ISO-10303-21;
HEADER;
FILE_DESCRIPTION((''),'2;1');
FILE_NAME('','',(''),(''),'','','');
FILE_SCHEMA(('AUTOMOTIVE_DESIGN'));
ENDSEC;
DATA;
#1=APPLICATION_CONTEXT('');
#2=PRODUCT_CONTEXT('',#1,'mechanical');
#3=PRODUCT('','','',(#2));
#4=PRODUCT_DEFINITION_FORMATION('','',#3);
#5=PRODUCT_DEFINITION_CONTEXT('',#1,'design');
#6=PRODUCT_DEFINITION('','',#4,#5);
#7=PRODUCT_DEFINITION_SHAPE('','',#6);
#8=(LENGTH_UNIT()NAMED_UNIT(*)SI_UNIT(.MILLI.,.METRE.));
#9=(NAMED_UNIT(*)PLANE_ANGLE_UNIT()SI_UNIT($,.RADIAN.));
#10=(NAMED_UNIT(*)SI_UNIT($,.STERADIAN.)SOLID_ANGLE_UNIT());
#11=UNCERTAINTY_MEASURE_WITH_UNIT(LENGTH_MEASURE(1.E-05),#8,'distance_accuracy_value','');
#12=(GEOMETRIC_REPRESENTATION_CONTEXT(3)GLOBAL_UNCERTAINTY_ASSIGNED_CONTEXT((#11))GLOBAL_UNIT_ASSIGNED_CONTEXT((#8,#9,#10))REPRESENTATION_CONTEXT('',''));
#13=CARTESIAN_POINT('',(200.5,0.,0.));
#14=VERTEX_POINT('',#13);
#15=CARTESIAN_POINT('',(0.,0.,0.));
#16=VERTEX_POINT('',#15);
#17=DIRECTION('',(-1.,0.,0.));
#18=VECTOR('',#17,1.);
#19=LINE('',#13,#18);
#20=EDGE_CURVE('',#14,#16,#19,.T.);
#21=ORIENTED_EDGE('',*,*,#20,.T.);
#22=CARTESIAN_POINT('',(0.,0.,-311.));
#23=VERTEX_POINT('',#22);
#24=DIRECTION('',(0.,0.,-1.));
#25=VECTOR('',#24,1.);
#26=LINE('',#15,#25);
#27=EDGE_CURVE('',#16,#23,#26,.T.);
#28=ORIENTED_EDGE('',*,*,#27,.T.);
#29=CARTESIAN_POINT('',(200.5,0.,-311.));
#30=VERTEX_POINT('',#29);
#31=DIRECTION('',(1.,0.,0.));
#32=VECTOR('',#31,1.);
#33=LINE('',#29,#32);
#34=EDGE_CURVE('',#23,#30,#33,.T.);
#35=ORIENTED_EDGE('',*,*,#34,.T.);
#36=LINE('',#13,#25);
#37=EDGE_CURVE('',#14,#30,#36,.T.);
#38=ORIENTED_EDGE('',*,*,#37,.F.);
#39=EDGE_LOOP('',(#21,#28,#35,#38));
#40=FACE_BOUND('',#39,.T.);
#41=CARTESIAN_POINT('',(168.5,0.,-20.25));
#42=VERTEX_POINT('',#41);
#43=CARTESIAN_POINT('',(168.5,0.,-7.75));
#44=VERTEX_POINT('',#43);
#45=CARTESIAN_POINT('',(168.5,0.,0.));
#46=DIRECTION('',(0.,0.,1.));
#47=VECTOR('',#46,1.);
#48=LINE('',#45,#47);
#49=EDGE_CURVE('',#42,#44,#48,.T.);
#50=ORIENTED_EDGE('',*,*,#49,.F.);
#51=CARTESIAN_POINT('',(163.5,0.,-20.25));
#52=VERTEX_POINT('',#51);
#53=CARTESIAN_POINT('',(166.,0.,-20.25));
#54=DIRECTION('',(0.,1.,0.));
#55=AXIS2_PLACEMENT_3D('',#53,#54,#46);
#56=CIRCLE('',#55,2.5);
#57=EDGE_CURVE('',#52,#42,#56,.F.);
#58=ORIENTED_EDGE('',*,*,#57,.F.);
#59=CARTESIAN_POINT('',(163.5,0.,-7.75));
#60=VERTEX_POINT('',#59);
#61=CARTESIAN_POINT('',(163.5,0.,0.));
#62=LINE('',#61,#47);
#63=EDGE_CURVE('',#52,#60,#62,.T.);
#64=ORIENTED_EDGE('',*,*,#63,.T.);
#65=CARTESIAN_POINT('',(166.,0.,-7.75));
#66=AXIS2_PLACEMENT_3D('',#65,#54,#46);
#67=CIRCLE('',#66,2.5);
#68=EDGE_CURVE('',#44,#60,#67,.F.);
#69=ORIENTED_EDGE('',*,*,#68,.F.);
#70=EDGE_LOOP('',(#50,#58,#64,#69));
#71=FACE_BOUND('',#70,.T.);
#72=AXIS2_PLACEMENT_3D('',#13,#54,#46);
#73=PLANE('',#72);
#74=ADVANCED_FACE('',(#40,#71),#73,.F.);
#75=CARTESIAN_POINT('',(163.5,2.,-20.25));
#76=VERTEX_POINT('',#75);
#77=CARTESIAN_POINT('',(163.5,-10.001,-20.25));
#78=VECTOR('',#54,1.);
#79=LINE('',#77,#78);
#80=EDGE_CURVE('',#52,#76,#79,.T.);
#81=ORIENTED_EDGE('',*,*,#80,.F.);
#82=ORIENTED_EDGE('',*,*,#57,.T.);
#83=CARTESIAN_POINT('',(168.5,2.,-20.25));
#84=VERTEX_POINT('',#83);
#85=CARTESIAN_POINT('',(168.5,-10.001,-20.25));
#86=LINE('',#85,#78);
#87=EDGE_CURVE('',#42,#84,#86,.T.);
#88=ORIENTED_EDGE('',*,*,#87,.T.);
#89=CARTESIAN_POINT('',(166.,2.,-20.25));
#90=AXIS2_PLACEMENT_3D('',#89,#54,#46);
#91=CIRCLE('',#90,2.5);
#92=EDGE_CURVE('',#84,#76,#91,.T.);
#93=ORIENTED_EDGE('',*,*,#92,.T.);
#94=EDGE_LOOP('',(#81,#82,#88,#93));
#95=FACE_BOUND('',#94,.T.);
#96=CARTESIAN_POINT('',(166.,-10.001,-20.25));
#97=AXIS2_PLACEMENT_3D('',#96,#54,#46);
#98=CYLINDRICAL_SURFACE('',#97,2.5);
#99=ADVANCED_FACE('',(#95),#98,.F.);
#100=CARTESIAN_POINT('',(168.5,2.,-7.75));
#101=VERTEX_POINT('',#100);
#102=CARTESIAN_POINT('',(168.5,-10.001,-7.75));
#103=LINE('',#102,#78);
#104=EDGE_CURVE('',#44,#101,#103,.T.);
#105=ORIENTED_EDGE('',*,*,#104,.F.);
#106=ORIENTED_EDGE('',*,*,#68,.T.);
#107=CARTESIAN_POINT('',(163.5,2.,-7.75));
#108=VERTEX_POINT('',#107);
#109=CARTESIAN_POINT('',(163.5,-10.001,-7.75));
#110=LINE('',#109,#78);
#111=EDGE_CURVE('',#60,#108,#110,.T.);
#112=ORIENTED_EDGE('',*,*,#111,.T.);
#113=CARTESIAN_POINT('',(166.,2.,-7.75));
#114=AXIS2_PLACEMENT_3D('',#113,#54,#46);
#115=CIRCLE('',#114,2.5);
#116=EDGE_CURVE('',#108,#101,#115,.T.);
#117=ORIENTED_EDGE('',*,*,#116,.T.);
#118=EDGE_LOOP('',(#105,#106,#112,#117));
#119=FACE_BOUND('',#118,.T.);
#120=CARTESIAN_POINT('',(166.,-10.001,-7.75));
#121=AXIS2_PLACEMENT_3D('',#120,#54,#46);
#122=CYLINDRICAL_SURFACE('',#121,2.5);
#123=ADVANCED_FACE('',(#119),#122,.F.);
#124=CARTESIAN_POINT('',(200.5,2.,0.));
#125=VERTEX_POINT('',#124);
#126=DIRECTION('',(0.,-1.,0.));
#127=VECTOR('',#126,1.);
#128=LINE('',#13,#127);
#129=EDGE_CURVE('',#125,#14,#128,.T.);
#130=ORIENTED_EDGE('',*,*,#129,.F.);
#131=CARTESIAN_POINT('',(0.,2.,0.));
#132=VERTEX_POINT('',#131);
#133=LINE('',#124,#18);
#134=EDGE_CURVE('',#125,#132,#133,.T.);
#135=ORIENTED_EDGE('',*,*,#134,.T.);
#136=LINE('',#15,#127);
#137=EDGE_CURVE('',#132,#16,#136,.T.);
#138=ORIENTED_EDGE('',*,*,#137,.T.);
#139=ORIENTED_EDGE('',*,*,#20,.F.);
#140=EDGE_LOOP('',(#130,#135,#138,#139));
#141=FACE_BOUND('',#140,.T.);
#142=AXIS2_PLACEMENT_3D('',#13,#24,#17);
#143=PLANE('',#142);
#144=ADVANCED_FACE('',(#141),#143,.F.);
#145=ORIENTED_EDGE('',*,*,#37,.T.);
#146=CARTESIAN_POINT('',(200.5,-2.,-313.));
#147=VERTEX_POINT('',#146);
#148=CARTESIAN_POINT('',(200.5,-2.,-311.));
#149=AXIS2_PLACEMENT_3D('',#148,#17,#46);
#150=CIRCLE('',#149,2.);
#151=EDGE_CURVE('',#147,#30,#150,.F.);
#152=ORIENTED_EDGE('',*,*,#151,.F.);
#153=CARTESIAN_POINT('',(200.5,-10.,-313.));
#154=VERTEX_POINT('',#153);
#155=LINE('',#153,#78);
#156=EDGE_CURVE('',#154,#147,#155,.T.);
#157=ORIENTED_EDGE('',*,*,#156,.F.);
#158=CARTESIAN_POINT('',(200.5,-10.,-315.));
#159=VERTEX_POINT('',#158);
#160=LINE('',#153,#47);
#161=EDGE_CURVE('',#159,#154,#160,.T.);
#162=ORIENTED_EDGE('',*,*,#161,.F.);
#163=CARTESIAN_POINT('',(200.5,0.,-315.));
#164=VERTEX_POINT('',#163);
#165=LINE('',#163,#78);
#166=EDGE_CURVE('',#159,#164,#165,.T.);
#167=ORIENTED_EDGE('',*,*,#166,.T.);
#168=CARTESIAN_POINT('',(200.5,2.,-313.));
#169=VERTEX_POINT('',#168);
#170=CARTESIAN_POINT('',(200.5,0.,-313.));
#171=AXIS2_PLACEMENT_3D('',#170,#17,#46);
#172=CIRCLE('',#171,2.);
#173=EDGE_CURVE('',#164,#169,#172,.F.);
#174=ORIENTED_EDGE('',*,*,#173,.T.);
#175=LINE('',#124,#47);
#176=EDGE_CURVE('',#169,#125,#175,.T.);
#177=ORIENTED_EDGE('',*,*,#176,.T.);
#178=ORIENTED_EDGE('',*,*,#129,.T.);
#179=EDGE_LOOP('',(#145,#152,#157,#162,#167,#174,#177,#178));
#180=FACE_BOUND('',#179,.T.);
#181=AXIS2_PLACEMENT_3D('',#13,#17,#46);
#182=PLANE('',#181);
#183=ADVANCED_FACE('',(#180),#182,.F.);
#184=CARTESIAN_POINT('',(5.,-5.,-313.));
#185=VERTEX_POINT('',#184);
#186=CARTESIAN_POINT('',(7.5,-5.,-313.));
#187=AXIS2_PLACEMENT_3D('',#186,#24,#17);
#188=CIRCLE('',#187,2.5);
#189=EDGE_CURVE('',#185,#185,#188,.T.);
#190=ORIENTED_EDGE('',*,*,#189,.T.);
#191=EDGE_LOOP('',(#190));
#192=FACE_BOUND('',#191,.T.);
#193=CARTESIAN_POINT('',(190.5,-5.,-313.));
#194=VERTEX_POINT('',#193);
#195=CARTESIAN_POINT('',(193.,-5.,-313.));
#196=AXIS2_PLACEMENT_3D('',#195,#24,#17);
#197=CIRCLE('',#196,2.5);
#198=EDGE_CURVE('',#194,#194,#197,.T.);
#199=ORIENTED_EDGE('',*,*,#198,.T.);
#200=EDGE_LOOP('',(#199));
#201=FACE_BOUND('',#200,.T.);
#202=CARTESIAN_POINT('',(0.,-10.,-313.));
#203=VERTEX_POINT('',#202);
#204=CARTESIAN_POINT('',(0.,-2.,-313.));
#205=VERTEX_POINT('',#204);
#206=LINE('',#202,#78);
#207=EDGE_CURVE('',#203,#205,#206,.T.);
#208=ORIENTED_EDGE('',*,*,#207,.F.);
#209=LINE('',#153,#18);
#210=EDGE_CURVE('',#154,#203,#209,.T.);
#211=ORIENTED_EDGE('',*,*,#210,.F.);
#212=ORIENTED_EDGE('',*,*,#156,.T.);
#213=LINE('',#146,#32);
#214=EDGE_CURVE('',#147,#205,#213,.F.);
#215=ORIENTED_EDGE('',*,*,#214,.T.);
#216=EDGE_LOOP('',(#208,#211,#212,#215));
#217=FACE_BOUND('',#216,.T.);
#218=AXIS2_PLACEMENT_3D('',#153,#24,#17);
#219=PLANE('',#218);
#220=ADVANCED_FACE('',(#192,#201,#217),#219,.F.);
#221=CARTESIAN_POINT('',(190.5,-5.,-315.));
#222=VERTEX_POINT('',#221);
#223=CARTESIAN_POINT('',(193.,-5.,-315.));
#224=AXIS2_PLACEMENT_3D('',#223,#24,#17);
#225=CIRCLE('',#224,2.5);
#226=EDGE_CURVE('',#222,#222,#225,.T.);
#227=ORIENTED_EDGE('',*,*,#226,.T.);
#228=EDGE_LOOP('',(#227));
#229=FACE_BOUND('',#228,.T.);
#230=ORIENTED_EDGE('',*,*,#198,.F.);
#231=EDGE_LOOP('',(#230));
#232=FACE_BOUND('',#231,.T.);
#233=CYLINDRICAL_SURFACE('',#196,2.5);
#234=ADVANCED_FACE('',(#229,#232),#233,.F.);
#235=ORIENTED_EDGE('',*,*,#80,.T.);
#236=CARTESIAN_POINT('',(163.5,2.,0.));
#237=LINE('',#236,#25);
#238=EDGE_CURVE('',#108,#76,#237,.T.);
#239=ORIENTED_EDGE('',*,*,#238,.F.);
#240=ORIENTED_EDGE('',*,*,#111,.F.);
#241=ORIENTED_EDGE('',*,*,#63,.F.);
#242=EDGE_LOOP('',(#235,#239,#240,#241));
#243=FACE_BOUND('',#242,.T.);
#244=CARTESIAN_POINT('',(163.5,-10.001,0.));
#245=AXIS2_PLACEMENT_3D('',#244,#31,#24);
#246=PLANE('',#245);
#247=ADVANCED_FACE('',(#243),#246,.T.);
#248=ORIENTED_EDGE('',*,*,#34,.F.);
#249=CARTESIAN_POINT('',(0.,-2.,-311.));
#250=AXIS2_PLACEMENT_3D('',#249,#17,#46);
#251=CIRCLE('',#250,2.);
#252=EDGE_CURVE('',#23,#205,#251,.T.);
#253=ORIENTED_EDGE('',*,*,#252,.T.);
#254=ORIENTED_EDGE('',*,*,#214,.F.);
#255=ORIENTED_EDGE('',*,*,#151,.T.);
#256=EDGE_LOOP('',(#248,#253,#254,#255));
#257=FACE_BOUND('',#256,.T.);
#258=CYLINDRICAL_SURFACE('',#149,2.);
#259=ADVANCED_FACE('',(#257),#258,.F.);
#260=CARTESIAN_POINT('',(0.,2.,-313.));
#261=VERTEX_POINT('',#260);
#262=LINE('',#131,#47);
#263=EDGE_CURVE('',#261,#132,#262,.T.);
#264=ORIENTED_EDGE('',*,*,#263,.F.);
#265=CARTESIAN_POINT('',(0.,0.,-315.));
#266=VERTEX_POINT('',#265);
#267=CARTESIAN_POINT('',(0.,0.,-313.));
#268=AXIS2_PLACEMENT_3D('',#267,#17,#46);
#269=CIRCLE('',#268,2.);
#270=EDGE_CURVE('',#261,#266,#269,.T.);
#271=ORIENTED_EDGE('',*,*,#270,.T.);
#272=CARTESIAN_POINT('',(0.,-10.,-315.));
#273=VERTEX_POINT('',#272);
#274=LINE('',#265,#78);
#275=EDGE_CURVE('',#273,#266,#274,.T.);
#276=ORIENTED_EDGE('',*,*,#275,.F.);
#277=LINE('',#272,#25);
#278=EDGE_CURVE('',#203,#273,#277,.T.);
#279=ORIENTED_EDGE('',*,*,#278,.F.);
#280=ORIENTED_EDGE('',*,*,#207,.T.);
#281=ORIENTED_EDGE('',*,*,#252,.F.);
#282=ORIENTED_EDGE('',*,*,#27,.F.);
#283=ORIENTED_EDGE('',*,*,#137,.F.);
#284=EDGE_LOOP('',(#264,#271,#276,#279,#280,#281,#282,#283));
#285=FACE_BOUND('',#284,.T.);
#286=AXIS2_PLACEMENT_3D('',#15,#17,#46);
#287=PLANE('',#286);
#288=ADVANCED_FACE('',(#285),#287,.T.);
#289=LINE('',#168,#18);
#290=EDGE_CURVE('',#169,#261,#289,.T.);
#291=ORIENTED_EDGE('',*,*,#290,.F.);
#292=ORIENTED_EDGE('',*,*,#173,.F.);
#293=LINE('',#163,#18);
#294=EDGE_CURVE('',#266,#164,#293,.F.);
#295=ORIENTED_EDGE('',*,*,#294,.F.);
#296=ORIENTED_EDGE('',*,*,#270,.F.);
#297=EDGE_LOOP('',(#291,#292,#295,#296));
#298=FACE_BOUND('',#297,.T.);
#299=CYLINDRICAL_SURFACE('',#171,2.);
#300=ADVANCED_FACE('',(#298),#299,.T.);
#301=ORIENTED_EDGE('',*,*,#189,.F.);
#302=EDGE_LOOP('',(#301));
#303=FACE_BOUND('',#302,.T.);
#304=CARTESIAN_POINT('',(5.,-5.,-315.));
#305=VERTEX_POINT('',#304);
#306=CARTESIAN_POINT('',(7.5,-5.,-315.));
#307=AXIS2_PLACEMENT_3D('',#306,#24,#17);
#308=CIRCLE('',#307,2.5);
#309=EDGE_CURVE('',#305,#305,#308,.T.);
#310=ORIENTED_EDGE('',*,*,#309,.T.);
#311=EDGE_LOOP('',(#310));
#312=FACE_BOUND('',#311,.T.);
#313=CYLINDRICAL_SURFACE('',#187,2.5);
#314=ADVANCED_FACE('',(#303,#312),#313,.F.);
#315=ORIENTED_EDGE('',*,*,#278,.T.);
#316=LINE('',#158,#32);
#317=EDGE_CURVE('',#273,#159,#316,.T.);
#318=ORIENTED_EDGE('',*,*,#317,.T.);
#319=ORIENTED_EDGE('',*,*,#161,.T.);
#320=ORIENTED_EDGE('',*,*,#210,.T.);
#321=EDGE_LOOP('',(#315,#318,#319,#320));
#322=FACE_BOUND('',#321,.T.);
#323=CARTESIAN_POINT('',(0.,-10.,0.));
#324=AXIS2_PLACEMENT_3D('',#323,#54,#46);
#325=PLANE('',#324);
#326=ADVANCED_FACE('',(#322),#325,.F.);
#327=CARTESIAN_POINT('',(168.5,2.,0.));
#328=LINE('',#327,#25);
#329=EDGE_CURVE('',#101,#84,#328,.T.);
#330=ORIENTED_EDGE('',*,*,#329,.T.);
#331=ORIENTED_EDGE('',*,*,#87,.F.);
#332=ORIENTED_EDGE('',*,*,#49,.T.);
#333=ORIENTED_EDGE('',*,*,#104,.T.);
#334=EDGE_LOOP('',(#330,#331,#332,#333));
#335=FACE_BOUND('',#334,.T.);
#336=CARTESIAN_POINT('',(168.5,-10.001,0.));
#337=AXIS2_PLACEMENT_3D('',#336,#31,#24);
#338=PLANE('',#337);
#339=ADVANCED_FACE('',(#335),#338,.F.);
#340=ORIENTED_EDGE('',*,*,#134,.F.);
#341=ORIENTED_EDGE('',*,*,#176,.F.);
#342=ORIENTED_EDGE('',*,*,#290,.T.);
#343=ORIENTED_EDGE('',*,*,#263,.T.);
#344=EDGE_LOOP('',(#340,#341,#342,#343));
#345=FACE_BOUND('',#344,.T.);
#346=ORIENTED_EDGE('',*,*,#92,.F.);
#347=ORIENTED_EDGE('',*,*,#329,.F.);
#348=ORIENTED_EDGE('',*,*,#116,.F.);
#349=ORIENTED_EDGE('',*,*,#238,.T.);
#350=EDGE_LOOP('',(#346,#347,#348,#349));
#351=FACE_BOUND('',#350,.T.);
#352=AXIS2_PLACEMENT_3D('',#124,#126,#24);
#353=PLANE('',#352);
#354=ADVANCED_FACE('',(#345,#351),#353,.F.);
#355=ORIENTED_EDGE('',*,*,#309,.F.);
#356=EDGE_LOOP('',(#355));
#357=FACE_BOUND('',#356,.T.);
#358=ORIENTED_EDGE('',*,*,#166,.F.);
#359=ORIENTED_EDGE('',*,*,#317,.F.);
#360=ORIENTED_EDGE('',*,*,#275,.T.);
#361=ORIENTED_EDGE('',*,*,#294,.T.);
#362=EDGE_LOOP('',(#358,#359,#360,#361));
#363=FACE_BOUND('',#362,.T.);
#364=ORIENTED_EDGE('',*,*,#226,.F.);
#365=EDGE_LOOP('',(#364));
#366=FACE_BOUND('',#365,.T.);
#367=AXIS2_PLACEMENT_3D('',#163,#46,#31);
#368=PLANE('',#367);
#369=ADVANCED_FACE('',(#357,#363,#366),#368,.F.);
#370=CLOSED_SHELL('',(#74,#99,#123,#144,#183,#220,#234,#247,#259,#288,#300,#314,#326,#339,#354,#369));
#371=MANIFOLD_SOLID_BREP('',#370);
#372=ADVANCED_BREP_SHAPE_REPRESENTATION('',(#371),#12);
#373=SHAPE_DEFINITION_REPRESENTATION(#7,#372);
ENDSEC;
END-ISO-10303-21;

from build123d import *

# Parameters (mm, degrees)
SKETCH1_W           = 315
SKETCH1_H           = 2
BOSS_EXTRUDE1_DEPTH = 200.5
SKETCH16_W          = 200.5
SKETCH16_H          = 2
BOSS_EXTRUDE2_DEPTH = 10
FILLET1_R           = 2
FILLET2_R           = 2
SKETCH17_R          = 2.5
CUT_EXTRUDE1_DEPTH  = 2
CUT_EXTRUDE2_DEPTH  = 2


with BuildPart() as part:
    # Sketch1 → Boss-Extrude1 (new body)
    with BuildSketch(Plane(origin=(0, 0, 0), x_dir=(0, 0, -1), z_dir=(1, 0, 0))):
        with Locations((157.5, 1)):
            Rectangle(SKETCH1_W, SKETCH1_H)
    extrude(amount=BOSS_EXTRUDE1_DEPTH)

    # Sketch16 → Boss-Extrude2 (add)
    with BuildSketch(Plane.XZ):
        with Locations((100.25, -314)):
            Rectangle(SKETCH16_W, SKETCH16_H)
    extrude(amount=BOSS_EXTRUDE2_DEPTH)

    # Fillet1
    fillet1_edges = [part.edges().sort_by_distance(p)[0] for p in [
        (100.25, 2, -315),
    ]]
    fillet(fillet1_edges, radius=FILLET1_R)

    # Fillet2
    fillet2_edges = [part.edges().sort_by_distance(p)[0] for p in [
        (100.25, 0, -313),
    ]]
    fillet(fillet2_edges, radius=FILLET2_R)

    # Sketch17 → Cut-Extrude1 (cut)
    with BuildSketch(Plane(origin=(0, 0, -315), x_dir=(-1, 0, 0), z_dir=(0, 0, -1))):
        with Locations((-193, -5)):
            Circle(SKETCH17_R)
        with Locations((-7.5, -5)):
            Circle(SKETCH17_R)
    extrude(amount=-CUT_EXTRUDE1_DEPTH, mode=Mode.SUBTRACT)

    # Sketch19 → Cut-Extrude2 (cut)
    with BuildSketch(Plane(origin=(0, 2, 0), x_dir=(1, 0, 0), z_dir=(0, 1, 0))):
        with BuildLine():
            Line((163.5, 20.25), (163.5, 7.75))
            ThreePointArc((163.5, 7.75), (166, 5.25), (168.5, 7.75))
            Line((168.5, 7.75), (168.5, 20.25))
            ThreePointArc((168.5, 20.25), (166, 22.75), (163.5, 20.25))
        make_face()
    extrude(amount=-CUT_EXTRUDE2_DEPTH, mode=Mode.SUBTRACT)


solid = part.part
